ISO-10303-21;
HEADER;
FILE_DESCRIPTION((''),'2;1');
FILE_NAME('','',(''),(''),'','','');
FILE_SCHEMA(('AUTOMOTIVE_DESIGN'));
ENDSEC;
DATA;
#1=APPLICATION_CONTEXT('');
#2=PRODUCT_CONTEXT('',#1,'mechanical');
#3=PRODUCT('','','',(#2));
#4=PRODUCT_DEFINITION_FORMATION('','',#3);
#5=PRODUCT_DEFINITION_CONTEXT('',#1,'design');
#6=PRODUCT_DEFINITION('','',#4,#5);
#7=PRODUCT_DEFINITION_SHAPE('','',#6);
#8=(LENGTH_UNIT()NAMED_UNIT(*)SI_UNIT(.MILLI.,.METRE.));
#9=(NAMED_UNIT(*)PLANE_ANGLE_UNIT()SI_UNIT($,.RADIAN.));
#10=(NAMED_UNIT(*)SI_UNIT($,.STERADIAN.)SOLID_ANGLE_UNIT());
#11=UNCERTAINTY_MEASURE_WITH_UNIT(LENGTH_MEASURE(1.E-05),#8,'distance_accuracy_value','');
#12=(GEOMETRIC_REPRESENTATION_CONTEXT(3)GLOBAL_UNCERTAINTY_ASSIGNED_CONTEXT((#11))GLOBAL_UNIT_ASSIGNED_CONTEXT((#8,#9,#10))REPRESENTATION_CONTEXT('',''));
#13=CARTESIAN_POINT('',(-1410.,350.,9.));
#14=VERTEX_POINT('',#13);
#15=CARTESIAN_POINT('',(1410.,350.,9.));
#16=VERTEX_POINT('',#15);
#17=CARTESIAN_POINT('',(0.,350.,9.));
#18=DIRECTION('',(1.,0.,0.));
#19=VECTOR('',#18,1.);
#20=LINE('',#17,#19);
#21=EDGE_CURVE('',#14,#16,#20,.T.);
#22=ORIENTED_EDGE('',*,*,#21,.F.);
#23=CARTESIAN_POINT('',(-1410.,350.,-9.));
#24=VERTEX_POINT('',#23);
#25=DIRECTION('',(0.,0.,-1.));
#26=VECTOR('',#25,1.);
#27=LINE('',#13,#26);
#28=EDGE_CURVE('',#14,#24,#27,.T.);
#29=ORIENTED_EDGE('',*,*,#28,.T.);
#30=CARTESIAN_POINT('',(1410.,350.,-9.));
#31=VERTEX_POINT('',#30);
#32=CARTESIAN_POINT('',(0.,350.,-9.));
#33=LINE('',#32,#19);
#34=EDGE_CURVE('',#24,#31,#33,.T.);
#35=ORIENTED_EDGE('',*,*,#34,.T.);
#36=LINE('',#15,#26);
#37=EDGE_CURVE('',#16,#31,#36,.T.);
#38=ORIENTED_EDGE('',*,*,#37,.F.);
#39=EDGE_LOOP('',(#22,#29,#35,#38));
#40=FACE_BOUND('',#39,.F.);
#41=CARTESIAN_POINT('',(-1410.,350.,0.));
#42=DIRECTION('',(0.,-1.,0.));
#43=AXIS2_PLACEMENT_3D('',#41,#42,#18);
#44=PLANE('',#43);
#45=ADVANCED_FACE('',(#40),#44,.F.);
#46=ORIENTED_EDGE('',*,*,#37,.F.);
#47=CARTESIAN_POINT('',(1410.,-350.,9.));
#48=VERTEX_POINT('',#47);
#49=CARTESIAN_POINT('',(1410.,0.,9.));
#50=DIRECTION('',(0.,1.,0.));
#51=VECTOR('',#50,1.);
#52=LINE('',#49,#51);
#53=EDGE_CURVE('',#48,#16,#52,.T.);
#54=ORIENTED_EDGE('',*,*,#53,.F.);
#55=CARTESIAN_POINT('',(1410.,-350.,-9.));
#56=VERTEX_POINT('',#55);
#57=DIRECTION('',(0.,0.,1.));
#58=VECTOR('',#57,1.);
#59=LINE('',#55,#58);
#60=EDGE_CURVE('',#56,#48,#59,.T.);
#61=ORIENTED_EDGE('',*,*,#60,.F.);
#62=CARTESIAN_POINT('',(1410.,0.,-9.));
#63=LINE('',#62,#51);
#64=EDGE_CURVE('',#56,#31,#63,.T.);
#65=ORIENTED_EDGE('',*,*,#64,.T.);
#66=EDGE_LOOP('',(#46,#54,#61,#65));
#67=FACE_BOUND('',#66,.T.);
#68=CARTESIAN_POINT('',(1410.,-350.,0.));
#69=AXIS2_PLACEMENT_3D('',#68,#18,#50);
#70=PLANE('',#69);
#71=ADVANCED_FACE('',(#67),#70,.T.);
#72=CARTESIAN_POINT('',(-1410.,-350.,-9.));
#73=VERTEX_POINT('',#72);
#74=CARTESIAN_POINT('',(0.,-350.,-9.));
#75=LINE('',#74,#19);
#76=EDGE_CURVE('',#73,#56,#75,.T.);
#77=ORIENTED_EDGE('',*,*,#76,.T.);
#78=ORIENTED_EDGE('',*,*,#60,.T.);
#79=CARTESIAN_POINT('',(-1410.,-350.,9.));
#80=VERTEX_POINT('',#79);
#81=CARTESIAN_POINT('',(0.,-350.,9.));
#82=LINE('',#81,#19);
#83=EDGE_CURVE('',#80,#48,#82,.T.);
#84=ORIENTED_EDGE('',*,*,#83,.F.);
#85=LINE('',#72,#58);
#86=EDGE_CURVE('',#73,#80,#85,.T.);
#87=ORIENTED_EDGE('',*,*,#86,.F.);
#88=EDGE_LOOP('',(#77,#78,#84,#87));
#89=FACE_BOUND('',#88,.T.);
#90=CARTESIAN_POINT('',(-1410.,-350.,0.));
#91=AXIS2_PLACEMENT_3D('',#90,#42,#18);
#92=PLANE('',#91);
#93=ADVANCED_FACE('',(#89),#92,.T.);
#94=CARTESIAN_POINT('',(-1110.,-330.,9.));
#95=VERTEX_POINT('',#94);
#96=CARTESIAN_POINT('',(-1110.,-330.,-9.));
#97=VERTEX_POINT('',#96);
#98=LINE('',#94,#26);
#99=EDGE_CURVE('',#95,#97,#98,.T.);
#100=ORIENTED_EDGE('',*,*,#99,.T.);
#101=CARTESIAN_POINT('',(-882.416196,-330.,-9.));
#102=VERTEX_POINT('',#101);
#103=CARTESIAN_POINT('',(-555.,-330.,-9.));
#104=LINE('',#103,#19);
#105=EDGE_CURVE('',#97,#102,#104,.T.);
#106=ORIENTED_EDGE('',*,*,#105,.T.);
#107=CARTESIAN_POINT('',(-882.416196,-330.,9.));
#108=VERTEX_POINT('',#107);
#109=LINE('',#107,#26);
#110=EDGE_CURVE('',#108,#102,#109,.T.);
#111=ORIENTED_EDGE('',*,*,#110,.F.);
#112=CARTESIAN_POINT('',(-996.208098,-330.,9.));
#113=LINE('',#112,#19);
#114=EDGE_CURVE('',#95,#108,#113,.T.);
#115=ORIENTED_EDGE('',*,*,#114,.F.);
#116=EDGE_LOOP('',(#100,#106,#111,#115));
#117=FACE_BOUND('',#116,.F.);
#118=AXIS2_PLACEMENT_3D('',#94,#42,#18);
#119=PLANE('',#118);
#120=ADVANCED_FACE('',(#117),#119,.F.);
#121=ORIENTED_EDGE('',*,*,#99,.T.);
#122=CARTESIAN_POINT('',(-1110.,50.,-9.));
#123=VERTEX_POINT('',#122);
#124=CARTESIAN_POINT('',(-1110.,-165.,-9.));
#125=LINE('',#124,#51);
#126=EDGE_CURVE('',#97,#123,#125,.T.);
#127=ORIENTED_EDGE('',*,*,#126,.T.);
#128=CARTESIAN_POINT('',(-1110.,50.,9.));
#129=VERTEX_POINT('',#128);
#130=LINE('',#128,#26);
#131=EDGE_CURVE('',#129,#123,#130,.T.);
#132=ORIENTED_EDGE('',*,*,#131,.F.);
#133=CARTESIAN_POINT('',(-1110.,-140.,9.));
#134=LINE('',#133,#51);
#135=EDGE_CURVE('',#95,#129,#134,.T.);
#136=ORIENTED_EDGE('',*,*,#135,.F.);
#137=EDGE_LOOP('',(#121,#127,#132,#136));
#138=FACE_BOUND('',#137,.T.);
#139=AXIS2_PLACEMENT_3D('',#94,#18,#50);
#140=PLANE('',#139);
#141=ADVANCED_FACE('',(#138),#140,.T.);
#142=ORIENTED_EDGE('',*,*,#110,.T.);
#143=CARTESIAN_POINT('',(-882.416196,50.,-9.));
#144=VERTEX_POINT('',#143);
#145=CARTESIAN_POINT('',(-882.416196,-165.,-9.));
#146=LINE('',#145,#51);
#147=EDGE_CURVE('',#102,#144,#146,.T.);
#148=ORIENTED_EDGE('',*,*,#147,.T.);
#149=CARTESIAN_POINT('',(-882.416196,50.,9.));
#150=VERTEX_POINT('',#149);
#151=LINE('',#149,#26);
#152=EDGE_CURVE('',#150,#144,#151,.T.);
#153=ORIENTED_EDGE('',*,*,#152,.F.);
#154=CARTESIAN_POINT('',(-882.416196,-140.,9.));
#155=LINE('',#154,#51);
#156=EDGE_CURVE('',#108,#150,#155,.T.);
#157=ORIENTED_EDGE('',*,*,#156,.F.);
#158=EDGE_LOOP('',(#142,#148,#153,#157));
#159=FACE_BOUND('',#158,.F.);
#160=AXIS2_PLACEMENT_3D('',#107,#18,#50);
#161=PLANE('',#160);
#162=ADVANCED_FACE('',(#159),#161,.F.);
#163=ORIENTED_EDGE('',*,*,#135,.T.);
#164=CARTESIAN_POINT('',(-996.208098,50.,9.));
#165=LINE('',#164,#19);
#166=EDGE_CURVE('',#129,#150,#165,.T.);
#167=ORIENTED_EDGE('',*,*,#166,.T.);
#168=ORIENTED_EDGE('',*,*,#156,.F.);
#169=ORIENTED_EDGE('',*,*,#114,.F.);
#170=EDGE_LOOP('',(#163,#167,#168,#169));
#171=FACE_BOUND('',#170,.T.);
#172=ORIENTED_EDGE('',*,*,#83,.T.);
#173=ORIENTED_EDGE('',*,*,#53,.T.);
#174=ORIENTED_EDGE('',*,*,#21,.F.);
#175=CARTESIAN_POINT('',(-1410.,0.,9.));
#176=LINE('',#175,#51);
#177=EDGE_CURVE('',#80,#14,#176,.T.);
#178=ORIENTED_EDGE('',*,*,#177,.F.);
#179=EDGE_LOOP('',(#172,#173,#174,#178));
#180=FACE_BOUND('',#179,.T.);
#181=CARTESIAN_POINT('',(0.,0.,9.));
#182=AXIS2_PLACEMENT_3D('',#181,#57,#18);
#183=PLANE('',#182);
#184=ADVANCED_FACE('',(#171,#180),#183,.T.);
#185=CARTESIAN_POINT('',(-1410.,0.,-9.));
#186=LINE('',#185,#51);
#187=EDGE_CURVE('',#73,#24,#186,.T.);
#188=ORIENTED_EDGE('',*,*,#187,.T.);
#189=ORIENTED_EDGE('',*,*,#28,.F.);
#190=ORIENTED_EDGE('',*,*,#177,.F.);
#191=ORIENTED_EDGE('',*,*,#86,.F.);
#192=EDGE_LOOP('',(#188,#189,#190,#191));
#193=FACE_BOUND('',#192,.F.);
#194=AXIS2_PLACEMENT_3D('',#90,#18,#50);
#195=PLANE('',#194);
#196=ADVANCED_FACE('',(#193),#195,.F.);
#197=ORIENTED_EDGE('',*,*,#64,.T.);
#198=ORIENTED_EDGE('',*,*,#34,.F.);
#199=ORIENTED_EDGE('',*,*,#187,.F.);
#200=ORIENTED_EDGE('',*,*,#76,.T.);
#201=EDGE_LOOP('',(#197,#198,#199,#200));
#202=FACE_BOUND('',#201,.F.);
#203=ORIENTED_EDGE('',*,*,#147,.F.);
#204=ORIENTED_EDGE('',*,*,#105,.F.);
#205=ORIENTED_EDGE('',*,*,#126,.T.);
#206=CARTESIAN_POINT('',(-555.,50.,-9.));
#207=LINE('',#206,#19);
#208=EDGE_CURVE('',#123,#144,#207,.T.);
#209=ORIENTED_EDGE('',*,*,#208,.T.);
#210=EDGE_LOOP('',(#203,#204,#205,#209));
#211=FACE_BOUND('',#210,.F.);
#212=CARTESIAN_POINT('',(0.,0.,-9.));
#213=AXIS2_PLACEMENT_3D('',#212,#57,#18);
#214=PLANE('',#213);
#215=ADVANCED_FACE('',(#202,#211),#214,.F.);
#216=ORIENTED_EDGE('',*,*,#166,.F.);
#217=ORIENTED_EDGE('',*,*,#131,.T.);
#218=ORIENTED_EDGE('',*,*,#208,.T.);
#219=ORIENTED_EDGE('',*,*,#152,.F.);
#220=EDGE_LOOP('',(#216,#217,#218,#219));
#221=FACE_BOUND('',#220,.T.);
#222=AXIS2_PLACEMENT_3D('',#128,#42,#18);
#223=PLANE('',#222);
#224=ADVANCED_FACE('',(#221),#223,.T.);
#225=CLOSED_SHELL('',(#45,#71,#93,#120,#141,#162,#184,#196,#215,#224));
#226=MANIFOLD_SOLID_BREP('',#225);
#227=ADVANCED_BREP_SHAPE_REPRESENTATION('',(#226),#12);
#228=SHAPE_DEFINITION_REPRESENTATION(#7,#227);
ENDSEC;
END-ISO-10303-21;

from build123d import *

# Parameters (mm, degrees)
F0_W     = 2820
F0_H     = 700
F1_DEPTH = 9
F2_W     = 227.583804
F2_H     = 380
F3_DEPTH = 25


with BuildPart() as f1:
    # F0 (on Top) → F1 (new body, symmetric)
    with BuildSketch(Plane.XY):
        Rectangle(F0_W, F0_H)
    extrude(amount=F1_DEPTH, both=True)

    # F2 (on face) → F3 (cut)
    with BuildSketch(Plane.XY.offset(9)):
        with Locations((-996.208098, -140)):
            Rectangle(F2_W, F2_H)
    extrude(amount=-F3_DEPTH, mode=Mode.SUBTRACT)


solid = f1.part
